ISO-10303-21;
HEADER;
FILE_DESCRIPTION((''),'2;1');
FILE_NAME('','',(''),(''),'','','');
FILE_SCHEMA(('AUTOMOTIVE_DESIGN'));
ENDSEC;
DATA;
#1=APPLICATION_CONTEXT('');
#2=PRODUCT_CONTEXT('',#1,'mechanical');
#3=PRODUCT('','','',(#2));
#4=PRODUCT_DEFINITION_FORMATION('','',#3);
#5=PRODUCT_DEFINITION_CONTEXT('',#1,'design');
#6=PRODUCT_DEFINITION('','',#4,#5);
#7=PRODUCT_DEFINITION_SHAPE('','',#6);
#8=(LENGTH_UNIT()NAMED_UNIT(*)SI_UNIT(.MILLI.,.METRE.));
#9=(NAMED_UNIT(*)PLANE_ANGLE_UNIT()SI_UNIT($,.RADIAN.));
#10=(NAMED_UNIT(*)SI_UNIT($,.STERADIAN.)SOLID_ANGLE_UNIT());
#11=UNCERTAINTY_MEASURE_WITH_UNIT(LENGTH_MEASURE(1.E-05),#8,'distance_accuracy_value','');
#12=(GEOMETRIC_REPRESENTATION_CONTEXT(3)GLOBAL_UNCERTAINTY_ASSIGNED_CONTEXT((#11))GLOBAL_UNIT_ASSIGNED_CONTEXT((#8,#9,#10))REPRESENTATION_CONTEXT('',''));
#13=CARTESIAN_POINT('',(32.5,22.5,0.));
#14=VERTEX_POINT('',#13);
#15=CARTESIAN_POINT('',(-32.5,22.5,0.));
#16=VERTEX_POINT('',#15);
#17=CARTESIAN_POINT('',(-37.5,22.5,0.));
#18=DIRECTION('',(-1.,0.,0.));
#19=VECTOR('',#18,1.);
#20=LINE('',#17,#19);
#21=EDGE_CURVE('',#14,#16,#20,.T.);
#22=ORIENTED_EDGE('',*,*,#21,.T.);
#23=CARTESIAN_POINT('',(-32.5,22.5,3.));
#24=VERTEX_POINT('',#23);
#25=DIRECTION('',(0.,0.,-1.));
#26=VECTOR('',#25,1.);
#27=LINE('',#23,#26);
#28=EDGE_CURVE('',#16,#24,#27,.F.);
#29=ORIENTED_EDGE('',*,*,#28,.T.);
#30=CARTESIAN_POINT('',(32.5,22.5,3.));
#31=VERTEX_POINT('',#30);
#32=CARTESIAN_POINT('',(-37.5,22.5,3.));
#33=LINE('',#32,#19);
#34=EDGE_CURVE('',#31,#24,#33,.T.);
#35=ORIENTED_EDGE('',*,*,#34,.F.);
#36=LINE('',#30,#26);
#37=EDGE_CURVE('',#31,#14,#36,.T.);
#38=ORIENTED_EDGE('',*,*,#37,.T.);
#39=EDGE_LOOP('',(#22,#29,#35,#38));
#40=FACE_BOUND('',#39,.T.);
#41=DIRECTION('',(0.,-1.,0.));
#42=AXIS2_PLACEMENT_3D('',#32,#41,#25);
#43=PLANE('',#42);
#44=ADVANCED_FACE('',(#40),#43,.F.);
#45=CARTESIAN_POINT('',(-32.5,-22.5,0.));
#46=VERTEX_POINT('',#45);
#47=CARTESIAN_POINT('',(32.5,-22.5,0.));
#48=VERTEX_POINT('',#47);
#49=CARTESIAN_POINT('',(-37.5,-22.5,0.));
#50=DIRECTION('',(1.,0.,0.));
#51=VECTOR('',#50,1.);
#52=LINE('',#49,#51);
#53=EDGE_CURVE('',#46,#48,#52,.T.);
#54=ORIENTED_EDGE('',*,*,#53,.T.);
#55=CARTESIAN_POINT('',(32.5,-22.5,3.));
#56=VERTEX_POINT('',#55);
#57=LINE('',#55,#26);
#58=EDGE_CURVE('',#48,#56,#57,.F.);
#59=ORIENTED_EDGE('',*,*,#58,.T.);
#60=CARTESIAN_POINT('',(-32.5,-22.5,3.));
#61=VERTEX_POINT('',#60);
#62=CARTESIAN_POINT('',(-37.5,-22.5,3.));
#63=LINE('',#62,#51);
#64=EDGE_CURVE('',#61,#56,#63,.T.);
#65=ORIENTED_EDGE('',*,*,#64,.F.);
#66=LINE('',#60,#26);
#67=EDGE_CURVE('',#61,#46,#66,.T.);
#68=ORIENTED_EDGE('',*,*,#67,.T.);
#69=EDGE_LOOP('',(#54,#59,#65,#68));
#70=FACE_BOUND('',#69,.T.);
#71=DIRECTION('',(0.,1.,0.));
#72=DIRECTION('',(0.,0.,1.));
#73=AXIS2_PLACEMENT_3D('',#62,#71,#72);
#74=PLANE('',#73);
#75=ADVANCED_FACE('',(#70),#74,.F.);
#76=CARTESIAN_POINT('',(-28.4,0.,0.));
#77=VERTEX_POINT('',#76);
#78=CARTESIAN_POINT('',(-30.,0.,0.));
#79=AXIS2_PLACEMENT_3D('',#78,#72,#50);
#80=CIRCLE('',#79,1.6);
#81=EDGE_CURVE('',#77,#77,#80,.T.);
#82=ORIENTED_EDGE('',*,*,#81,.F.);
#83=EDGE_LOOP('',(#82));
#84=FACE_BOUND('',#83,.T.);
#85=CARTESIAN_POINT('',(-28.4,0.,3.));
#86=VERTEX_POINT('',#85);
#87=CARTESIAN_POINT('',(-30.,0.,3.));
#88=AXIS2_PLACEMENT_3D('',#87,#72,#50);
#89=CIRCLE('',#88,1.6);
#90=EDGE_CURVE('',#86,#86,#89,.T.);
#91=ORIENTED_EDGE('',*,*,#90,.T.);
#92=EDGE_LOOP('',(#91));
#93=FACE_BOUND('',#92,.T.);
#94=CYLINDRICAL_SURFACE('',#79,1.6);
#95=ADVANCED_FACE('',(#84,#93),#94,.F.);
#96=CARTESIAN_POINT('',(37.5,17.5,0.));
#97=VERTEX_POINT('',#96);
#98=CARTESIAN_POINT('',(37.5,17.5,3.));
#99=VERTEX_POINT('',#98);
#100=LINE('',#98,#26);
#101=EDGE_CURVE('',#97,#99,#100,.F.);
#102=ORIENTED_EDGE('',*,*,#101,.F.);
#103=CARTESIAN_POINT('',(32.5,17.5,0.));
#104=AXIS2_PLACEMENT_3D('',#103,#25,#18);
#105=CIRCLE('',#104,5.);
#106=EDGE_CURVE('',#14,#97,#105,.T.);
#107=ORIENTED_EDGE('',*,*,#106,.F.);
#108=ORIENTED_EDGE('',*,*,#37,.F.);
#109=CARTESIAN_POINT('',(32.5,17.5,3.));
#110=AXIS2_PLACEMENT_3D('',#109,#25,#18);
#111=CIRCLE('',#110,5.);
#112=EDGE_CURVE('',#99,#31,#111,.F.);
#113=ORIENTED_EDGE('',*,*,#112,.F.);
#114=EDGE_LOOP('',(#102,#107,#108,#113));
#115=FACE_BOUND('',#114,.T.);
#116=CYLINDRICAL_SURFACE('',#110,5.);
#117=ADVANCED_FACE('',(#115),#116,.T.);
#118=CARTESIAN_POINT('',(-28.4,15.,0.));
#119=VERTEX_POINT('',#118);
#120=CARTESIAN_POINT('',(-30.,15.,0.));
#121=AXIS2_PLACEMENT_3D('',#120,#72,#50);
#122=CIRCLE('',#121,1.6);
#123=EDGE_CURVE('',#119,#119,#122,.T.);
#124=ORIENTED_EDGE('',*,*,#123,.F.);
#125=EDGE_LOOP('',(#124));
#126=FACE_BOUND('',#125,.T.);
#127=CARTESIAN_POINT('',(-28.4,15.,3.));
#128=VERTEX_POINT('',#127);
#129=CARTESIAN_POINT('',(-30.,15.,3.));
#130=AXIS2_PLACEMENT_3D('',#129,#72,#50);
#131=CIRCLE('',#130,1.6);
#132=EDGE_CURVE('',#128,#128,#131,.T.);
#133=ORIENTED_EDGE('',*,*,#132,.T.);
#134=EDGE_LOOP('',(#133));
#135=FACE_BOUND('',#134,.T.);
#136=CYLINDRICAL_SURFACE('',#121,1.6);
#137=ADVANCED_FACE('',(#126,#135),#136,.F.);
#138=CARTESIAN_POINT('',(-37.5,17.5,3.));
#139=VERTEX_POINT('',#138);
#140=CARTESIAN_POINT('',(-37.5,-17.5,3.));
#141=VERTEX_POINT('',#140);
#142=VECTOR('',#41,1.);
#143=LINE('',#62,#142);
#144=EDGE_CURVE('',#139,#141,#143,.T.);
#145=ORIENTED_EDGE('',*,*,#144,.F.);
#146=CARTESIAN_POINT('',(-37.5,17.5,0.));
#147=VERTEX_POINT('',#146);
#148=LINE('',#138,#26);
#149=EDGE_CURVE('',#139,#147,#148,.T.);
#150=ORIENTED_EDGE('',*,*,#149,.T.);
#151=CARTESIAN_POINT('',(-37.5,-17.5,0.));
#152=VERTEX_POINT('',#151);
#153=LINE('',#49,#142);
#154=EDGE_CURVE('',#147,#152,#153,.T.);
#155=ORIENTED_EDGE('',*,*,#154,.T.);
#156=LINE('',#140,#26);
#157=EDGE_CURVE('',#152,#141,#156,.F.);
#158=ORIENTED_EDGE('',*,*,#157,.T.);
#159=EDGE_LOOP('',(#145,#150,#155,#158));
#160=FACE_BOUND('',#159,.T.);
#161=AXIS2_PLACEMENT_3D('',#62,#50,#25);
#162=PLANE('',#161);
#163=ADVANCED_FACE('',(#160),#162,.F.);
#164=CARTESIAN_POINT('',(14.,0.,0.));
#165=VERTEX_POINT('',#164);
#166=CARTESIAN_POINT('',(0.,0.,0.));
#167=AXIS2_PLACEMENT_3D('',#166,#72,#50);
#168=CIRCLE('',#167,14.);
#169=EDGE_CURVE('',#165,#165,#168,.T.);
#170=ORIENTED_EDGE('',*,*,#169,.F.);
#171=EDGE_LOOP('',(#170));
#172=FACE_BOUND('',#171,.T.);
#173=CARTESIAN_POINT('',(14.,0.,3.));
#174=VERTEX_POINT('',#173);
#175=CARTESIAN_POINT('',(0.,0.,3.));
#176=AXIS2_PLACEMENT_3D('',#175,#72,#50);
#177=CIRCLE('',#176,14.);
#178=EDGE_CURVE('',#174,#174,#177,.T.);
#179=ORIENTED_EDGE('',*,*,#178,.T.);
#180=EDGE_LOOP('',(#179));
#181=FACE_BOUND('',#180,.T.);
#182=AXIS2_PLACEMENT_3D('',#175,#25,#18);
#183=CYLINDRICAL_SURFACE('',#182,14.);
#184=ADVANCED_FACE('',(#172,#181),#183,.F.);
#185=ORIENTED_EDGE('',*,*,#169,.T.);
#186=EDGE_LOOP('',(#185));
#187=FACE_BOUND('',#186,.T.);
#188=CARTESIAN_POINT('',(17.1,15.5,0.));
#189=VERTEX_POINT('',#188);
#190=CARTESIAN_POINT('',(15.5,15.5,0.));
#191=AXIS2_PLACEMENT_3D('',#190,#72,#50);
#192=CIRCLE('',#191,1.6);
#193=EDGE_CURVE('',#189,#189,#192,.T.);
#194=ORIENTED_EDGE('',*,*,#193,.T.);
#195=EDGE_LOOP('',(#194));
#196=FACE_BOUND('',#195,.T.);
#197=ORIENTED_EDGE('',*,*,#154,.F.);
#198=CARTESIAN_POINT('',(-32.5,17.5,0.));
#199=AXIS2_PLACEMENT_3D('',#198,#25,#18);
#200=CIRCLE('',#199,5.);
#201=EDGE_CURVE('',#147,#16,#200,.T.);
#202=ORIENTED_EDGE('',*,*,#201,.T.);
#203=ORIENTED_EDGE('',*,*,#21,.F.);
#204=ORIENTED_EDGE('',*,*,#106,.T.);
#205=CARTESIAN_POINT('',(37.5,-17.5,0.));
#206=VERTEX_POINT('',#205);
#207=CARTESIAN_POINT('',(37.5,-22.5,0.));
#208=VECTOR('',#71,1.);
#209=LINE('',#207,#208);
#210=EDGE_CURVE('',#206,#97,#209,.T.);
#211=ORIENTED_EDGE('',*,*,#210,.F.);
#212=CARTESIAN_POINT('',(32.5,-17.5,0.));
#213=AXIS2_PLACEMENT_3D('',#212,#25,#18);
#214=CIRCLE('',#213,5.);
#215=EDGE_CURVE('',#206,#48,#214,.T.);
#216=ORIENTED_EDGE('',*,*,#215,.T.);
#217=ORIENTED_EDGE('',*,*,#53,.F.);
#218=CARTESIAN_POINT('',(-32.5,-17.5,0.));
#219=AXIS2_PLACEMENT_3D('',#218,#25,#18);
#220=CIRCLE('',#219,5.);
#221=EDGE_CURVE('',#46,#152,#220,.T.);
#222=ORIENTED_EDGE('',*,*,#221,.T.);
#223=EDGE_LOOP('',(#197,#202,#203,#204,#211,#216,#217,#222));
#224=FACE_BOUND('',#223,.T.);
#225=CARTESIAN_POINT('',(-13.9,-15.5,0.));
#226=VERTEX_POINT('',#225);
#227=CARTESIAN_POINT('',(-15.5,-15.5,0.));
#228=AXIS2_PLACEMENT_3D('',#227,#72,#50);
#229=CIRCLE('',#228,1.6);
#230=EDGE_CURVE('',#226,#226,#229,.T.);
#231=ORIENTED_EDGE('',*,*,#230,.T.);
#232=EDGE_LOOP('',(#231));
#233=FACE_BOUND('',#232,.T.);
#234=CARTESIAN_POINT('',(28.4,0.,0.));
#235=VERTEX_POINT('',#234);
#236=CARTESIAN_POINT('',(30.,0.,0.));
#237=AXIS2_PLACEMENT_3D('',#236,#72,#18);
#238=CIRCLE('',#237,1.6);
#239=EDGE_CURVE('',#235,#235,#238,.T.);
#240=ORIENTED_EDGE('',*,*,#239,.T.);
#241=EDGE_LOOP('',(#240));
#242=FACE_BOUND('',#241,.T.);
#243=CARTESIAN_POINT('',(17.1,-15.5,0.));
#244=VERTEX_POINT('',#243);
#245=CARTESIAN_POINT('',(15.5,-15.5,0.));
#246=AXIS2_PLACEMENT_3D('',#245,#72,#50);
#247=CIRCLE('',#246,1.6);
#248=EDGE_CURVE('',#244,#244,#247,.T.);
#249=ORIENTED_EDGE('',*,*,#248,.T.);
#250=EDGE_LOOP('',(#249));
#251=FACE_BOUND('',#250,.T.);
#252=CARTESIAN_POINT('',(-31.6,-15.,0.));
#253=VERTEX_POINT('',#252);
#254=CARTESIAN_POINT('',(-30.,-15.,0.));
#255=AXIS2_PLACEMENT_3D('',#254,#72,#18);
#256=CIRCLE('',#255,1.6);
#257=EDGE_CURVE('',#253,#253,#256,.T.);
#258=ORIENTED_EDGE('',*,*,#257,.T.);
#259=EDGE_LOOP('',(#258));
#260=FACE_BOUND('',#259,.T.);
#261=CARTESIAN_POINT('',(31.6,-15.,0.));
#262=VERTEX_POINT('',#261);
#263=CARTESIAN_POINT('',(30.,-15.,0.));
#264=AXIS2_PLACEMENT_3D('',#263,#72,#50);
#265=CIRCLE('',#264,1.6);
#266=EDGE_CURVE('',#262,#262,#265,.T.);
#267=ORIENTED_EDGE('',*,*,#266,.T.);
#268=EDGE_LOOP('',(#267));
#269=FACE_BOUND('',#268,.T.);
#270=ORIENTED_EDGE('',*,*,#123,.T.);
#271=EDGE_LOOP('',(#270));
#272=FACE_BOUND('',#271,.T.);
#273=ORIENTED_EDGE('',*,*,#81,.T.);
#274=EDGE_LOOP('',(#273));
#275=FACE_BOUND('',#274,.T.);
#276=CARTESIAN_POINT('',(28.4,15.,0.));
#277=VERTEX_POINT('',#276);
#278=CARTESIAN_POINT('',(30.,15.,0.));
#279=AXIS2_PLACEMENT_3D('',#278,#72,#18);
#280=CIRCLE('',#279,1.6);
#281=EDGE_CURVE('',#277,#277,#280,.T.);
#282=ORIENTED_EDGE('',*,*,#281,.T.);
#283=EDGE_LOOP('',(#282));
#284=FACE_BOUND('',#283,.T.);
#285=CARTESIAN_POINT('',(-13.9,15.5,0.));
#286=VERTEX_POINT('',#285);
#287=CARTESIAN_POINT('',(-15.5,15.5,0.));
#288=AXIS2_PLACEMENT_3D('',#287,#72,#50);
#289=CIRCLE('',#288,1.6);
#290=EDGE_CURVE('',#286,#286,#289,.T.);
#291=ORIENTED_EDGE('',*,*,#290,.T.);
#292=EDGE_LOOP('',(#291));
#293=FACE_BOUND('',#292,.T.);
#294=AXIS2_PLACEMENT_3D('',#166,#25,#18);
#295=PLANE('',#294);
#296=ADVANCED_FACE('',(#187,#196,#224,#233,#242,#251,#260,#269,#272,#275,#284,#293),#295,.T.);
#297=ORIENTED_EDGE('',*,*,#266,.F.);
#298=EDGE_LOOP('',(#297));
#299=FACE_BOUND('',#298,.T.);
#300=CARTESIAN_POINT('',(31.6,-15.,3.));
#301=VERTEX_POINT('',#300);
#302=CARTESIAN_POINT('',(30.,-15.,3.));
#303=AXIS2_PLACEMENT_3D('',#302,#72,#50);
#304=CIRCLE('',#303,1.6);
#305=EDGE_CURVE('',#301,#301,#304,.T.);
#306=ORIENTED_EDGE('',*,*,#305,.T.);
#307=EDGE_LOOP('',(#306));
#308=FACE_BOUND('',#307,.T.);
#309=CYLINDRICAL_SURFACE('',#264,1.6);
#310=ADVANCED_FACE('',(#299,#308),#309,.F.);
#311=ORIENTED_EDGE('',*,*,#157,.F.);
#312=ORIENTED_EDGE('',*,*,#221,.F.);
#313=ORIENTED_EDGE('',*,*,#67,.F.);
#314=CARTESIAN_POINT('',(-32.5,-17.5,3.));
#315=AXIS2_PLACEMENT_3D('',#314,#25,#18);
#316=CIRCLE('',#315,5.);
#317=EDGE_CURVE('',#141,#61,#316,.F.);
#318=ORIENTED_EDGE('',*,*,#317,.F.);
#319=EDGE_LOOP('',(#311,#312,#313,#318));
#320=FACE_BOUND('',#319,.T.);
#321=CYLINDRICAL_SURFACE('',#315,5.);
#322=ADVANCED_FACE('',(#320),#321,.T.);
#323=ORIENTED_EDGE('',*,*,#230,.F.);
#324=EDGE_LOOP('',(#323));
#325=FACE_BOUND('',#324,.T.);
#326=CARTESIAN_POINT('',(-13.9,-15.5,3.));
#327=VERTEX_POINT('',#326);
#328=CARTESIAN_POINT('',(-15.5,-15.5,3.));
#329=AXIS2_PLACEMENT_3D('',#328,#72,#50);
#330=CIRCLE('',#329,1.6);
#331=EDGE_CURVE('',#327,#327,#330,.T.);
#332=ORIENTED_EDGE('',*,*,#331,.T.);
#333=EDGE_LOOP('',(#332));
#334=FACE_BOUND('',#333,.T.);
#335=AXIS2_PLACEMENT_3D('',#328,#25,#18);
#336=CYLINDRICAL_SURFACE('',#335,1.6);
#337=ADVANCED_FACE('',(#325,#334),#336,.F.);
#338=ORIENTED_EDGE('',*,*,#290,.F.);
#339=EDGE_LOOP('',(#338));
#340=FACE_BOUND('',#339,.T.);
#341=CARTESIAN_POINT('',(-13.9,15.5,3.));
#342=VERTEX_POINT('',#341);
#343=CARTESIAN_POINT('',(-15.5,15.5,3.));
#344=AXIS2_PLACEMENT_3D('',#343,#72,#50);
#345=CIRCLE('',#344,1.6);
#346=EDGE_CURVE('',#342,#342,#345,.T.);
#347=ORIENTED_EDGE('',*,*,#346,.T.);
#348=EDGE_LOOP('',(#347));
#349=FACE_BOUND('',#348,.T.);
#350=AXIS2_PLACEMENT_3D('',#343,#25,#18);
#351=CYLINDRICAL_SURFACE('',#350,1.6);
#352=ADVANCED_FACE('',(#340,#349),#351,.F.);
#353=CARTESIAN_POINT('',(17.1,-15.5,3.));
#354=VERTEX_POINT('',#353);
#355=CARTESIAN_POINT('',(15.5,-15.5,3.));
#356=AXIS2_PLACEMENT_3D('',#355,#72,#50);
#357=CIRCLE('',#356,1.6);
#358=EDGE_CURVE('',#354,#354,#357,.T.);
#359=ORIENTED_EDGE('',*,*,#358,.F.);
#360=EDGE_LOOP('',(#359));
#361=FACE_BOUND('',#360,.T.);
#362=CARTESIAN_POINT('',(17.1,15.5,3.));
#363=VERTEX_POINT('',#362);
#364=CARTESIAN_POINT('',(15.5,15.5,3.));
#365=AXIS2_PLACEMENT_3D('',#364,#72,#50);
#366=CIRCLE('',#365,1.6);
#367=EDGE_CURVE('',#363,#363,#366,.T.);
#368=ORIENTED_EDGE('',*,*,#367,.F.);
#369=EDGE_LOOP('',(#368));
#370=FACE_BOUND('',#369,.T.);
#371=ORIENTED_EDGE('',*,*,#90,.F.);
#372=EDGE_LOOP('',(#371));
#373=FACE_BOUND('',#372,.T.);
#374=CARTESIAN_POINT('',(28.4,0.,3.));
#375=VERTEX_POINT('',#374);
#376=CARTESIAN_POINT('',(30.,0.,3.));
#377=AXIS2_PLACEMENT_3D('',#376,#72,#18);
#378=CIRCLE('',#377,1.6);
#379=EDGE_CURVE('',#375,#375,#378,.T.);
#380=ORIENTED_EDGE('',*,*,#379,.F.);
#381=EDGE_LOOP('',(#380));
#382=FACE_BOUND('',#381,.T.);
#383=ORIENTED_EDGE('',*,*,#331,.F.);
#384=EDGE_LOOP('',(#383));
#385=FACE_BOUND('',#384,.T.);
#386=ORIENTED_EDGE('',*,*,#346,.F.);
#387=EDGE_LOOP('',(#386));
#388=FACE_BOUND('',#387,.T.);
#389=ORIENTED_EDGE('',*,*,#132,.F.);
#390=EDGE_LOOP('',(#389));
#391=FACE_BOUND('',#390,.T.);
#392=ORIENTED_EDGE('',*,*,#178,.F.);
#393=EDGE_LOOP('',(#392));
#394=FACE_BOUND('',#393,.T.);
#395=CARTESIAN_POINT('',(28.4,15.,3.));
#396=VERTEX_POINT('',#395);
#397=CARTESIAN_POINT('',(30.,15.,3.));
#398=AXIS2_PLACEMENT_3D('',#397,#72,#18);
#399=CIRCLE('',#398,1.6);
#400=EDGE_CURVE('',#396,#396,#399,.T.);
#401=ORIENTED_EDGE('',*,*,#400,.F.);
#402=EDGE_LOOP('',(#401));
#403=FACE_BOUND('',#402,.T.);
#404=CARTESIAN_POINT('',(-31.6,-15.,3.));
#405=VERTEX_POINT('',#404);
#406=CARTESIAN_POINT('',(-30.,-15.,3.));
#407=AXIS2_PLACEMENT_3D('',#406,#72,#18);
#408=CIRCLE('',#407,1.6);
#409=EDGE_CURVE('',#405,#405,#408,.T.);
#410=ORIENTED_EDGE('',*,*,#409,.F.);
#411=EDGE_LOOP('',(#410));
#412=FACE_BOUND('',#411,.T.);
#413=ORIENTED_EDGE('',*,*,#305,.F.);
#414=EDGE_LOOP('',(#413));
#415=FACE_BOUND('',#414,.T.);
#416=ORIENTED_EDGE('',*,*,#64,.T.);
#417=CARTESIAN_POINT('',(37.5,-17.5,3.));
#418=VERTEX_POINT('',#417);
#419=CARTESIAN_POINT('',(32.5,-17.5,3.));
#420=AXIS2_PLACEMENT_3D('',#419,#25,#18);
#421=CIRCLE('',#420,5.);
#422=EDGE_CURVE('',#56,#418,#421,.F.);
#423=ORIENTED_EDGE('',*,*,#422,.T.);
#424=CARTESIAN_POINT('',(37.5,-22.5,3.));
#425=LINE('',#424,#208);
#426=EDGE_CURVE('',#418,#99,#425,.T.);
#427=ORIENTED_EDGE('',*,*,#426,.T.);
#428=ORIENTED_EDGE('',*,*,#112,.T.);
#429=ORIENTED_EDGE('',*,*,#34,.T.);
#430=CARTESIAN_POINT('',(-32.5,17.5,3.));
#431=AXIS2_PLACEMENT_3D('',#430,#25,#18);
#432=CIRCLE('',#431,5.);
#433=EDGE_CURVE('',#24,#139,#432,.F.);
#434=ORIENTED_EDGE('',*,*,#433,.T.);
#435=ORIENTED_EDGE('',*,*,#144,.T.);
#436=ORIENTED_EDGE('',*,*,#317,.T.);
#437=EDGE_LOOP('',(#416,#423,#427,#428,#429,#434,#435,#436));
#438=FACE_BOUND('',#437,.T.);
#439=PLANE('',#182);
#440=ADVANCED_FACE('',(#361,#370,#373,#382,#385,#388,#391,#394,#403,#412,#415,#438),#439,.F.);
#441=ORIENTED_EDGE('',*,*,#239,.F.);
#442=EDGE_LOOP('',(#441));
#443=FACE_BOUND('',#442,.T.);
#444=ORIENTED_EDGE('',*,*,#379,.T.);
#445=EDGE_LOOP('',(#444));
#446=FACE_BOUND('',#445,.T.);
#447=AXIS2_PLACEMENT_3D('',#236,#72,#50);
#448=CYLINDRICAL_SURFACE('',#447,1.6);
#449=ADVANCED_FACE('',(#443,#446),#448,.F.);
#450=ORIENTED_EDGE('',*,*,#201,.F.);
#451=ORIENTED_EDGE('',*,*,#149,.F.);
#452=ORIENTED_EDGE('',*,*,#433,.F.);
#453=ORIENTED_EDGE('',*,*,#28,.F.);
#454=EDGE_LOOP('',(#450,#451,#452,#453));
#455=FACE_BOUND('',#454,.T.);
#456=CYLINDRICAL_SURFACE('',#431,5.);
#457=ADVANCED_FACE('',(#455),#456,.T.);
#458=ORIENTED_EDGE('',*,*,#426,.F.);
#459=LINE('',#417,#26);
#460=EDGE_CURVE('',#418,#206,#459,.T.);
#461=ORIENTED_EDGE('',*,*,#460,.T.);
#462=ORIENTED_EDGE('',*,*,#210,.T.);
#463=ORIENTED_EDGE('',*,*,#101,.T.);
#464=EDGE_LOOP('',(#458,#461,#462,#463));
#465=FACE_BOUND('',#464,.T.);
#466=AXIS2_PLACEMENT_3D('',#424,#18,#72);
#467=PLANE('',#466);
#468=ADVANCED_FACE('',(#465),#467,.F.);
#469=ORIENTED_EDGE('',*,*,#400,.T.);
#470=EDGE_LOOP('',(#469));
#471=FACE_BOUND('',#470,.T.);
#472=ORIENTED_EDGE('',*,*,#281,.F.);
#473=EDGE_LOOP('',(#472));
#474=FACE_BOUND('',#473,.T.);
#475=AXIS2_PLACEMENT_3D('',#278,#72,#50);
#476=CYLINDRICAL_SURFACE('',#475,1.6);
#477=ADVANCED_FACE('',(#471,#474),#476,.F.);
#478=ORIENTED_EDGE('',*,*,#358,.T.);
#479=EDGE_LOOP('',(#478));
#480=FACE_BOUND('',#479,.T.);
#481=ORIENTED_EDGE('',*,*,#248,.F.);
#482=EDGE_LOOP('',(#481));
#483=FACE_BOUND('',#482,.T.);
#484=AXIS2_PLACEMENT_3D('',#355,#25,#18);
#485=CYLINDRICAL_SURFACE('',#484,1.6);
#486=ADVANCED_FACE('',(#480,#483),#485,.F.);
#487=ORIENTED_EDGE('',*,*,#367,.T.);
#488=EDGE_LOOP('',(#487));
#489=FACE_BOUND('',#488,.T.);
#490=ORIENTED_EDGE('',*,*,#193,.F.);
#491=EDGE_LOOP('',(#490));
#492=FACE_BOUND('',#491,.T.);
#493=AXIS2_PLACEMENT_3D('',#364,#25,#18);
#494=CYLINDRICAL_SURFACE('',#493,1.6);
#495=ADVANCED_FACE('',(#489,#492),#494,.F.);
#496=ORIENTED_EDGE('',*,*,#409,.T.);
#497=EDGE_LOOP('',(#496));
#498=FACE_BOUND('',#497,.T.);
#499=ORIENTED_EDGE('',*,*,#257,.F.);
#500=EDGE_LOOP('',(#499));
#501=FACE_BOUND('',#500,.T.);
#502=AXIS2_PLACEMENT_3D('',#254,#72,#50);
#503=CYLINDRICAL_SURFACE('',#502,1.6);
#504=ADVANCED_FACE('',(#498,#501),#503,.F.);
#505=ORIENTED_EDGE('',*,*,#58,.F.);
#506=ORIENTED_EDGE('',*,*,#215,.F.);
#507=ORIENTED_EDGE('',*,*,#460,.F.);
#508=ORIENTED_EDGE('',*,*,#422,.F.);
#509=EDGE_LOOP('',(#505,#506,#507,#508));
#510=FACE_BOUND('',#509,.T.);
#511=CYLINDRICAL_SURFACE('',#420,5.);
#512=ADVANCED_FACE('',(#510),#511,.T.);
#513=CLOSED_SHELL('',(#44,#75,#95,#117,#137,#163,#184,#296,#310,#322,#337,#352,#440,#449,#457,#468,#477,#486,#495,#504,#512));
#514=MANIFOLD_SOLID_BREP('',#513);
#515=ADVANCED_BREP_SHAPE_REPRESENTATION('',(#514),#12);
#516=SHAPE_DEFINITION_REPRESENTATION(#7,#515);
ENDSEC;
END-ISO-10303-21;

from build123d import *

# Parameters (mm, degrees)
SKETCH1_W           = 75
SKETCH1_H           = 45
SKETCH1_R           = 14
SKETCH1_R_2         = 1.6
BOSS_EXTRUDE1_DEPTH = 3
FILLET2_R           = 5
SKETCH2_R           = 1.6
CUT_EXTRUDE1_DEPTH  = 44.834917589


with BuildPart() as part:
    # Sketch1 → Boss-Extrude1 (new body)
    with BuildSketch(Plane.XY):
        Rectangle(SKETCH1_W, SKETCH1_H)
        Circle(SKETCH1_R, mode=Mode.SUBTRACT)
        with Locations((-15.5, 15.5)):
            Circle(SKETCH1_R_2, mode=Mode.SUBTRACT)
        with Locations((15.5, 15.5)):
            Circle(SKETCH1_R_2, mode=Mode.SUBTRACT)
        with Locations((15.5, -15.5)):
            Circle(SKETCH1_R_2, mode=Mode.SUBTRACT)
        with Locations((-15.5, -15.5)):
            Circle(SKETCH1_R_2, mode=Mode.SUBTRACT)
    extrude(amount=BOSS_EXTRUDE1_DEPTH)

    # Fillet2
    fillet2_edges = [part.edges().sort_by_distance(p)[0] for p in [
        (37.5, -22.5, 1.5),
        (-37.5, -22.5, 1.5),
        (-37.5, 22.5, 1.5),
        (37.5, 22.5, 1.5),
    ]]
    fillet(fillet2_edges, radius=FILLET2_R)

    # Sketch2 → Cut-Extrude1 (cut, through all)
    with BuildSketch(Plane.XY.offset(3)):
        with Locations((-30, 0)):
            Circle(SKETCH2_R)
        with Locations((-30, 15)):
            Circle(SKETCH2_R)
        with Locations(Location((-30, -15, 0), (0, 0, 180))):
            Circle(SKETCH2_R)
        with Locations((30, -15)):
            Circle(SKETCH2_R)
        with Locations(Location((30, 15, 0), (0, 0, 180))):
            Circle(SKETCH2_R)
        with Locations(Location((30, 0, 0), (0, 0, 180))):
            Circle(SKETCH2_R)
    extrude(amount=-CUT_EXTRUDE1_DEPTH, mode=Mode.SUBTRACT)


solid = part.part
